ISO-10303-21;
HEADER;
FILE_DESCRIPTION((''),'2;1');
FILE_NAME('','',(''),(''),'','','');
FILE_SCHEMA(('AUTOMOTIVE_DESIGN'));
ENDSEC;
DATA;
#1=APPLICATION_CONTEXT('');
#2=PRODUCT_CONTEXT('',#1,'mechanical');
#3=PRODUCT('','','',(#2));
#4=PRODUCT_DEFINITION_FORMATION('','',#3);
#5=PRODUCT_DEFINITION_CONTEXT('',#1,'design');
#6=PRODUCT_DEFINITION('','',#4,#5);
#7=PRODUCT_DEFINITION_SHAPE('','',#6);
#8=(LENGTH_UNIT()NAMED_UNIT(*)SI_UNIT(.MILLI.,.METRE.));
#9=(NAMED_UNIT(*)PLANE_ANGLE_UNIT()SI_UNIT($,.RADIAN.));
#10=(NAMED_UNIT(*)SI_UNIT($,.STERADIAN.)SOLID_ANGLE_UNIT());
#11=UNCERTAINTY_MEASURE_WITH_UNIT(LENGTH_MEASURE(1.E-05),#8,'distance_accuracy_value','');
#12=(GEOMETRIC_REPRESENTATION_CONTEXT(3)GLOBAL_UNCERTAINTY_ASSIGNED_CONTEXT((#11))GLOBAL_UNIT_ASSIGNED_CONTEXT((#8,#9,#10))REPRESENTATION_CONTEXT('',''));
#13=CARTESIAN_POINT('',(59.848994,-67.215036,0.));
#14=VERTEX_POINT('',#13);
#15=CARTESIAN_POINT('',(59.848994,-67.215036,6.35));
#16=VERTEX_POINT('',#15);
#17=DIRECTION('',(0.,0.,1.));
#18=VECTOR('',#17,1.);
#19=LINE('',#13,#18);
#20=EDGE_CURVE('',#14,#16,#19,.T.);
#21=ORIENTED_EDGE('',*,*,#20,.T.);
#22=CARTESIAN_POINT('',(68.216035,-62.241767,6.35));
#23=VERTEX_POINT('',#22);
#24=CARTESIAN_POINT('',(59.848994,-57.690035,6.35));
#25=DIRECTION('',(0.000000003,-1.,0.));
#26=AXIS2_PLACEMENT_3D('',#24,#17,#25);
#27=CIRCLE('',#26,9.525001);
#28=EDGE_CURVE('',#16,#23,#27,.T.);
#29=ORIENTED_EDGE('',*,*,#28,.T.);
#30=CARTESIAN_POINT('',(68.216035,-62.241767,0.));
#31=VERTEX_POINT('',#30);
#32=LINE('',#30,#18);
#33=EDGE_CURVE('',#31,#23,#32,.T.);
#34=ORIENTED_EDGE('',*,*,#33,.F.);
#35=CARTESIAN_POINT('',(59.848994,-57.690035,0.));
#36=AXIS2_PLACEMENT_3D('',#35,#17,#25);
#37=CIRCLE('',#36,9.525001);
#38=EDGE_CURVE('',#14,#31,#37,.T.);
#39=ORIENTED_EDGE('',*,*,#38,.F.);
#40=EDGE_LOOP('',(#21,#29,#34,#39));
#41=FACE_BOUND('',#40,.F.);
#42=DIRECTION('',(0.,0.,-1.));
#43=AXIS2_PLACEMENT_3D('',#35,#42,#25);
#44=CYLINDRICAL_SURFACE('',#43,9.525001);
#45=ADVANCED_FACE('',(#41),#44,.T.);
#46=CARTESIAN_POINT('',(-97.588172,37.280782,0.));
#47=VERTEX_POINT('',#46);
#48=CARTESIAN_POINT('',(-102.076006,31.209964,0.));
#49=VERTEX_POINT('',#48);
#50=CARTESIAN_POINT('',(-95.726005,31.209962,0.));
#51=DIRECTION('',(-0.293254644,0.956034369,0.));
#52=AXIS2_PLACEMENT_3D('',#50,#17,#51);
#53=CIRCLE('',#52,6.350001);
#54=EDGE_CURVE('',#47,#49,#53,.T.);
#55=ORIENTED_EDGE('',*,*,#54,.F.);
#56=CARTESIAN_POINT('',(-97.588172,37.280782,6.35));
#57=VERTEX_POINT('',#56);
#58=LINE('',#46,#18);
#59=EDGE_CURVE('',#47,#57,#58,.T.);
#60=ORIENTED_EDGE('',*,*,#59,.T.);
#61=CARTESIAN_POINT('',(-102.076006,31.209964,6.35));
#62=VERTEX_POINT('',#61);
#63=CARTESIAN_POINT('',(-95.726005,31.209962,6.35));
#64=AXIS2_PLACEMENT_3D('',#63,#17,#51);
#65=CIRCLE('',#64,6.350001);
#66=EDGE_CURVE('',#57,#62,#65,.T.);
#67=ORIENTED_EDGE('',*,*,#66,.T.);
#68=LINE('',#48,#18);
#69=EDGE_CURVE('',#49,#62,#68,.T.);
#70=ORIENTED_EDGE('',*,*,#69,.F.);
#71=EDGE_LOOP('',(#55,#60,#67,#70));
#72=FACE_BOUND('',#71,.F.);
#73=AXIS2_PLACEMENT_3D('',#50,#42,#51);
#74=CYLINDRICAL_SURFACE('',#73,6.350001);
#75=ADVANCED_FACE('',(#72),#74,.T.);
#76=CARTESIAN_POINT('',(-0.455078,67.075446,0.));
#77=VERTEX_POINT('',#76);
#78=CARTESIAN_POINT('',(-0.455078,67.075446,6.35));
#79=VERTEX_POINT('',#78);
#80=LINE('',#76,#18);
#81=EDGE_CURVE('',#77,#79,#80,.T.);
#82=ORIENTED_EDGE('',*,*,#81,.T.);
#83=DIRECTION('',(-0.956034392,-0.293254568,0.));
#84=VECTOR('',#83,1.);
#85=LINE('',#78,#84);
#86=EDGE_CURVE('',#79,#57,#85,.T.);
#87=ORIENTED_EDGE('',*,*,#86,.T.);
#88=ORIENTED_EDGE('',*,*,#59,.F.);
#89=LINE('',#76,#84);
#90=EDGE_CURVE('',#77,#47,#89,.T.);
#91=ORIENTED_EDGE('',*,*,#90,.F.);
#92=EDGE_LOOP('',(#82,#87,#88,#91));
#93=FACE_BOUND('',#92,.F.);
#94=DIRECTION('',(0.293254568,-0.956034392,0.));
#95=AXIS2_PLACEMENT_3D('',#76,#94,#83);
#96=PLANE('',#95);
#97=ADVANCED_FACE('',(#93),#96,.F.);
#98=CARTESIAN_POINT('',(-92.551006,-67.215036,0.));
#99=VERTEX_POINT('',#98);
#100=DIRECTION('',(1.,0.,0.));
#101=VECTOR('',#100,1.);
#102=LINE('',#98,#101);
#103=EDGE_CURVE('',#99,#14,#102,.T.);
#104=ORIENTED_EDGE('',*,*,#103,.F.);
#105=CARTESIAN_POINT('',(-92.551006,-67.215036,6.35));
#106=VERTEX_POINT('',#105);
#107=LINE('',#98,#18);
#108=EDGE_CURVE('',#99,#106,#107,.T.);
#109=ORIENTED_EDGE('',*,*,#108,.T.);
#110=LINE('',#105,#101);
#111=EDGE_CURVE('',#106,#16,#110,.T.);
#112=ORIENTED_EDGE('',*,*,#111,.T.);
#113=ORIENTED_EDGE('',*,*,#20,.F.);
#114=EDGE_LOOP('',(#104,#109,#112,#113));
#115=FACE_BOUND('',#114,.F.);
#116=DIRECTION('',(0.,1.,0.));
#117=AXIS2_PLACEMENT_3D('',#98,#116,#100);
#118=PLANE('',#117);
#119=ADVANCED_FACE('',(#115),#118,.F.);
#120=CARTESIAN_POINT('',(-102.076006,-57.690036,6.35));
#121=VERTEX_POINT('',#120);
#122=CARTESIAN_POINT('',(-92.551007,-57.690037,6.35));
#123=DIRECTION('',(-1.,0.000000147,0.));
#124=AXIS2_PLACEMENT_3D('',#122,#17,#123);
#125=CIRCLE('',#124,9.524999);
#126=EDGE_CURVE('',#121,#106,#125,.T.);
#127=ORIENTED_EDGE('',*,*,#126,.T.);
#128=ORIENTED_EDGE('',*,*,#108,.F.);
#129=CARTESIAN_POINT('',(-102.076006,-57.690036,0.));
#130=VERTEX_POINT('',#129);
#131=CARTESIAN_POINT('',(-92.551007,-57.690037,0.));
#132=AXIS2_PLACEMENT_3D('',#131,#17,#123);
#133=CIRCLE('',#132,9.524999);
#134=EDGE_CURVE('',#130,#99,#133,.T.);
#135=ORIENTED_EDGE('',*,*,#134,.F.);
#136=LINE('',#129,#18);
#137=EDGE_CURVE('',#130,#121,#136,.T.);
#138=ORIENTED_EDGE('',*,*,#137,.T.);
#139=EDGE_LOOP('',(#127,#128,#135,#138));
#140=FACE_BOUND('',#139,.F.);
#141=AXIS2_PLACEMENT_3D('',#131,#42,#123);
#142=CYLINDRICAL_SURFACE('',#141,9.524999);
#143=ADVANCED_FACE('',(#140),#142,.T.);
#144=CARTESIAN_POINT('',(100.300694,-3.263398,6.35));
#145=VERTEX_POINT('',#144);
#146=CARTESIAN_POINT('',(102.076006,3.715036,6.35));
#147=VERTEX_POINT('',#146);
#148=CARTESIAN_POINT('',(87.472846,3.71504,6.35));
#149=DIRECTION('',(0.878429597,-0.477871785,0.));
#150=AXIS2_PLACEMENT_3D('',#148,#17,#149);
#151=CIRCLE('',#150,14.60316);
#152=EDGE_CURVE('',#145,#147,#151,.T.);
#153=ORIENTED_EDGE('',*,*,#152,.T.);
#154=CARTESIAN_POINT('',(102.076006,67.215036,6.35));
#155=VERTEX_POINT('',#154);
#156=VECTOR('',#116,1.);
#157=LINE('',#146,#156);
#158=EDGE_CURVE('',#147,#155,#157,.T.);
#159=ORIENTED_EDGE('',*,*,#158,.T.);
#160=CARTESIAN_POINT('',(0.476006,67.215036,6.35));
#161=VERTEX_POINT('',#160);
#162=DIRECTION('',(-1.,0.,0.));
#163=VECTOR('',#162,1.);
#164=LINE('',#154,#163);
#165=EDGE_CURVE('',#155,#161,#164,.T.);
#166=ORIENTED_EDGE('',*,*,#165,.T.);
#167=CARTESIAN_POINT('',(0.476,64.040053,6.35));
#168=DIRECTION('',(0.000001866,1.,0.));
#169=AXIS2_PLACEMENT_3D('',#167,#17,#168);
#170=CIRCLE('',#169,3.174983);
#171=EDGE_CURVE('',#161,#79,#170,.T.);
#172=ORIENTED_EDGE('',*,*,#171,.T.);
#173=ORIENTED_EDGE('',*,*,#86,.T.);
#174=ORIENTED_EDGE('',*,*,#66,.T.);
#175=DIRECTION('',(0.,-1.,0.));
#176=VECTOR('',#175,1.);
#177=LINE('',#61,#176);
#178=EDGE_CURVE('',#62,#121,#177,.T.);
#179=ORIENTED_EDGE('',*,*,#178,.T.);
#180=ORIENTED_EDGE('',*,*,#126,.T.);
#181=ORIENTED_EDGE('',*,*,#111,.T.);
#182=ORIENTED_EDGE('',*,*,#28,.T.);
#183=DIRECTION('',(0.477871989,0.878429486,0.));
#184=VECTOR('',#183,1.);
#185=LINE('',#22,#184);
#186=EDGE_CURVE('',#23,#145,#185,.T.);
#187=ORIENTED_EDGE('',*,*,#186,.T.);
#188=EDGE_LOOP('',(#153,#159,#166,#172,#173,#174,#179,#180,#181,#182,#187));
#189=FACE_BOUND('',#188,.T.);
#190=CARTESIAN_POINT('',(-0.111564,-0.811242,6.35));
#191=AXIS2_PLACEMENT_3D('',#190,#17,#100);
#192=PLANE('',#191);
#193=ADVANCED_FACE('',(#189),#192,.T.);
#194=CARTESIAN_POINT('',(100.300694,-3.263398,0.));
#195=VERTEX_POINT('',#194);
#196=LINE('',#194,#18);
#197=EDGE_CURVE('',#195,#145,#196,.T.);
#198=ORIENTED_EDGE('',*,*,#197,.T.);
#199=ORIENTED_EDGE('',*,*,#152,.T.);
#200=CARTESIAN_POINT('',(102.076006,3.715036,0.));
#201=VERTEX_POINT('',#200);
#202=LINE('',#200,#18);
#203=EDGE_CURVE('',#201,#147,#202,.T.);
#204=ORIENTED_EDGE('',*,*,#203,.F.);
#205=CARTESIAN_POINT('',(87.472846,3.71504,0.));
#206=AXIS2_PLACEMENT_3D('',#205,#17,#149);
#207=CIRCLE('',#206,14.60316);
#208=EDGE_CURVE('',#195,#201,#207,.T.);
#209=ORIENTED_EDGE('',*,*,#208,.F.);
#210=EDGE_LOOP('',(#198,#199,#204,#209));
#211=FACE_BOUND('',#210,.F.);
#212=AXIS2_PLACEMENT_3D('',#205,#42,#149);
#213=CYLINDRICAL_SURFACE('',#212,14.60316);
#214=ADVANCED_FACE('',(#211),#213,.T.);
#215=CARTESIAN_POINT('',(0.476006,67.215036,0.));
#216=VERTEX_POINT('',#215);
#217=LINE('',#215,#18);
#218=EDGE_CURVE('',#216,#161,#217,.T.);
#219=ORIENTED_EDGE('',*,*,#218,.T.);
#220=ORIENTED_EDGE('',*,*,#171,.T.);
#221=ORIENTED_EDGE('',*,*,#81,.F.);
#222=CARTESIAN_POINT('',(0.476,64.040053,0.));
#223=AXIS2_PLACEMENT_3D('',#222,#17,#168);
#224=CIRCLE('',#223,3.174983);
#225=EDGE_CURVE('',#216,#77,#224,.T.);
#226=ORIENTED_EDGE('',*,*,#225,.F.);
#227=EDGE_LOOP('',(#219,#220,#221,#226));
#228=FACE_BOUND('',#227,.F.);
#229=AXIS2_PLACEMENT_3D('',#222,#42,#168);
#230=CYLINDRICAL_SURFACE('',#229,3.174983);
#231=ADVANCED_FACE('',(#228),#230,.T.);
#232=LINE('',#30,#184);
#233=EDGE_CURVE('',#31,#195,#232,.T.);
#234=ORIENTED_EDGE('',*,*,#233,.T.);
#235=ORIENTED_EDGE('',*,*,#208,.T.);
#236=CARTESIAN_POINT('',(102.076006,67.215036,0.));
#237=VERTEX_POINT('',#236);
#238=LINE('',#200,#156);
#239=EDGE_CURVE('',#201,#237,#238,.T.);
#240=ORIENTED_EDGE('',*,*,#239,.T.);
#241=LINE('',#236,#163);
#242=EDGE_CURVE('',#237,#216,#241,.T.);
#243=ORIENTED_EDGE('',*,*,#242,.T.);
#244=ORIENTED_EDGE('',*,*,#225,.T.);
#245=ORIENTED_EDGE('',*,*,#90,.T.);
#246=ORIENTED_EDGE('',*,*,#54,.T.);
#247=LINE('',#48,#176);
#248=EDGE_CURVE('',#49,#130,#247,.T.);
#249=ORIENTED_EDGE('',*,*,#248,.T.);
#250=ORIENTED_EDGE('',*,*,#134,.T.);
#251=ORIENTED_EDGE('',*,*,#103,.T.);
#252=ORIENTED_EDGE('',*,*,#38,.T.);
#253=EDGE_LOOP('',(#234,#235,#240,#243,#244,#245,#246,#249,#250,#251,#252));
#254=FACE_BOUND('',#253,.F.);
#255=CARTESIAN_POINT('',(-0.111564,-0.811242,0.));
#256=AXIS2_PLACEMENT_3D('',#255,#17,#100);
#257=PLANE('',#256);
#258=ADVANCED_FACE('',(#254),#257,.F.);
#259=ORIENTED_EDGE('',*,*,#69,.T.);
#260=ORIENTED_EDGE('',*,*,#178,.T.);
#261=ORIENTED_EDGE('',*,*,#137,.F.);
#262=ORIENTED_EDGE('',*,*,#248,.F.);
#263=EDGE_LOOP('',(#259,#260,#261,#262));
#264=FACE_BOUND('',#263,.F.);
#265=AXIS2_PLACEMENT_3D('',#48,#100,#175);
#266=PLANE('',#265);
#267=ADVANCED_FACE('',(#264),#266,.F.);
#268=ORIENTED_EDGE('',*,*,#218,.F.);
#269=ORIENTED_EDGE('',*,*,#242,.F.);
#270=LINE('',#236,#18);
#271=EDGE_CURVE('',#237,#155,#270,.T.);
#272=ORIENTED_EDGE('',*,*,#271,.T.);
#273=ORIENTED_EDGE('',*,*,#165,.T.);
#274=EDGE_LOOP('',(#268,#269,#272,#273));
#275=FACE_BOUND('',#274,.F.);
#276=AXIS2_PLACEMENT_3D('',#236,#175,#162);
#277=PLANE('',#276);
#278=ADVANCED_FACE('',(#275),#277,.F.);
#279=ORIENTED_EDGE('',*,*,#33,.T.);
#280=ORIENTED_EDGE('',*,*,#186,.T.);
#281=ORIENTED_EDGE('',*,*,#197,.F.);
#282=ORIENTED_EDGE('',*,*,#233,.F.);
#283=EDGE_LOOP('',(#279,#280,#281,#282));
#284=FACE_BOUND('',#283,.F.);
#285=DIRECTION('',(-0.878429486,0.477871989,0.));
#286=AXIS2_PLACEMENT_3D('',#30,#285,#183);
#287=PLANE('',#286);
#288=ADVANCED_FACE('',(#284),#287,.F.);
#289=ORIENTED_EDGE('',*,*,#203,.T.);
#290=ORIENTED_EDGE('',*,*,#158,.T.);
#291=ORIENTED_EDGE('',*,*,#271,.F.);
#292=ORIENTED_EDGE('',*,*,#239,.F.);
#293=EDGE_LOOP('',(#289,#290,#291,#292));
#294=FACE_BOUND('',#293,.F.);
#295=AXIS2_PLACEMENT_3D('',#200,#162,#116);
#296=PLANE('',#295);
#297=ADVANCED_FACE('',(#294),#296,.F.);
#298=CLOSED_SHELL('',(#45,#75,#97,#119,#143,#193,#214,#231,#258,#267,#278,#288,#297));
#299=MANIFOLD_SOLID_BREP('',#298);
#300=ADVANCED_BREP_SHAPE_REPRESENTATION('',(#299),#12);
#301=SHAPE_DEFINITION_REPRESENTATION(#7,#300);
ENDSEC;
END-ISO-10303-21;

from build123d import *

# Parameters (mm, degrees)
F1_DEPTH = 6.35


with BuildPart() as f1:
    # F0 (on Top) → F1 (new body)
    with BuildSketch(Plane.XY):
        with BuildLine():
            Line((102.076006, 3.715036), (102.076006, 67.215036))
            Line((102.076006, 67.215036), (0.476006, 67.215036))
            ThreePointArc((0.476006, 67.215036), (0.005261, 67.179945), (-0.455078, 67.075446))
            Line((-0.455078, 67.075446), (-97.588172, 37.280782))
            ThreePointArc((-97.588172, 37.280782), (-100.83224, 34.984731), (-102.076006, 31.209964))
            Line((-102.076006, 31.209964), (-102.076006, -57.690036))
            ThreePointArc((-102.076006, -57.690036), (-99.286198, -64.425229), (-92.551006, -67.215036))
            Line((-92.551006, -67.215036), (59.848994, -67.215036))
            ThreePointArc((59.848994, -67.215036), (64.715738, -65.877858), (68.216035, -62.241767))
            Line((68.216035, -62.241767), (100.300694, -3.263398))
            ThreePointArc((100.300694, -3.263398), (101.62522, 0.11468), (102.076006, 3.715036))
        make_face()
    extrude(amount=F1_DEPTH)


solid = f1.part
